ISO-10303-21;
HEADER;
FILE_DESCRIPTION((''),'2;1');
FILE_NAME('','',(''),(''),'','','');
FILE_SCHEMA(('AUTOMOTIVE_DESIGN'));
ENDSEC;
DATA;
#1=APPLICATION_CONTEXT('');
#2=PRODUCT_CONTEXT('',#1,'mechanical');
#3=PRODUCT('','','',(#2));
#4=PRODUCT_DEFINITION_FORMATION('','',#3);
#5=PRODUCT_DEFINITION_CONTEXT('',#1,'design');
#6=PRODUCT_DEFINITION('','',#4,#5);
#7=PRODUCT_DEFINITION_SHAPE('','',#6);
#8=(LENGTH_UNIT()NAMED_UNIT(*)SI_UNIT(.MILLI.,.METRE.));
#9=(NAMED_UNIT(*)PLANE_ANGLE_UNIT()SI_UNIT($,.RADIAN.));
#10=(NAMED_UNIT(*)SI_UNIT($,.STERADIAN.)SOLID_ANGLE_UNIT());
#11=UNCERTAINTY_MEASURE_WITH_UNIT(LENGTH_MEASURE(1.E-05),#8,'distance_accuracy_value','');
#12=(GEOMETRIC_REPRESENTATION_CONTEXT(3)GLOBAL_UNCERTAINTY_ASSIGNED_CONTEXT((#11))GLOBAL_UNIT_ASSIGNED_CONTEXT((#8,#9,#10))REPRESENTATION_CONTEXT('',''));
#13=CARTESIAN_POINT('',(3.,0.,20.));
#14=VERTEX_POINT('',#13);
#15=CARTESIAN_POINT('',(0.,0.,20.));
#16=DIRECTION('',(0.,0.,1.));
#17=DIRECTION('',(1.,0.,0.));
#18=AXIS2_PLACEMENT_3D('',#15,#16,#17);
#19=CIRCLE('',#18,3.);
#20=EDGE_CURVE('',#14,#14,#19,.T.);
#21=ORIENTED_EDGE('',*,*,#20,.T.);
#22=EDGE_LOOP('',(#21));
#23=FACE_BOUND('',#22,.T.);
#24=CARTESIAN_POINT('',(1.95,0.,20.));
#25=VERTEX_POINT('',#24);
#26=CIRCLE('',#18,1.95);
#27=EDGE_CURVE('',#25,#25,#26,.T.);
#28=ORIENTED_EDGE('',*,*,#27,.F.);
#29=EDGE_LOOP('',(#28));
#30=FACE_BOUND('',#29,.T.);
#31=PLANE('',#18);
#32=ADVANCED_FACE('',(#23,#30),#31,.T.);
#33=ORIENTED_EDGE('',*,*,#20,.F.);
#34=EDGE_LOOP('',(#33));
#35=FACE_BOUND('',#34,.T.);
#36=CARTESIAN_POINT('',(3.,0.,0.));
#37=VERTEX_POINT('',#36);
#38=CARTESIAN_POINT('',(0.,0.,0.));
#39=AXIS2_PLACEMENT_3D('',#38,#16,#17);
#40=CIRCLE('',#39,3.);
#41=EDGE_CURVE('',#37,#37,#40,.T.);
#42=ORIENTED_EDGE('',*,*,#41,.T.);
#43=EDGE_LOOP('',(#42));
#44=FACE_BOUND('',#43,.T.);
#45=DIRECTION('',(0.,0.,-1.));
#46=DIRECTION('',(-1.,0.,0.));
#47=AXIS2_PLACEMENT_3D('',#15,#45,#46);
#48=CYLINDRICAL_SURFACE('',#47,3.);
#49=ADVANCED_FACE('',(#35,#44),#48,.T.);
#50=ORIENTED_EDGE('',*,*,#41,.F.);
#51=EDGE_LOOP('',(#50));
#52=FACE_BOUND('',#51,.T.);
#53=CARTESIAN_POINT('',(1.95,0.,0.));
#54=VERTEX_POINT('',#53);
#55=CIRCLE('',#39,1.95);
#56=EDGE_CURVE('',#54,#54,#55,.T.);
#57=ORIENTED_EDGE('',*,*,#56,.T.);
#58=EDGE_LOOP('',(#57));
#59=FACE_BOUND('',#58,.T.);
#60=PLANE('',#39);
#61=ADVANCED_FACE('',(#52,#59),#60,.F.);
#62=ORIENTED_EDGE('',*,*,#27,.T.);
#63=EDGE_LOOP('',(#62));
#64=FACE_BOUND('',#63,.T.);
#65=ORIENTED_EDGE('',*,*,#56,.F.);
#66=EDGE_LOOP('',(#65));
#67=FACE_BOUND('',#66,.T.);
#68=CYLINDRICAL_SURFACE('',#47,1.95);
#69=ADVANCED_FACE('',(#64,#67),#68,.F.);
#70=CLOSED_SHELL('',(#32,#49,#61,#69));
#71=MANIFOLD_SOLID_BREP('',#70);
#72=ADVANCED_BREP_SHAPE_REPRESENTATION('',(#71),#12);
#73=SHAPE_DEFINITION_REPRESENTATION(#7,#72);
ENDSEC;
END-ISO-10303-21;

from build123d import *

# Parameters (mm, degrees)
SZKIC1_R                    = 3
SZKIC1_R_2                  = 1.95
DODANIE_WYCI_GNI_CIE1_DEPTH = 20


with BuildPart() as part:
    # Szkic1 → Dodanie-wyciągnięcie1 (new body)
    with BuildSketch(Plane.XY):
        Circle(SZKIC1_R)
        Circle(SZKIC1_R_2, mode=Mode.SUBTRACT)
    extrude(amount=DODANIE_WYCI_GNI_CIE1_DEPTH)


solid = part.part
